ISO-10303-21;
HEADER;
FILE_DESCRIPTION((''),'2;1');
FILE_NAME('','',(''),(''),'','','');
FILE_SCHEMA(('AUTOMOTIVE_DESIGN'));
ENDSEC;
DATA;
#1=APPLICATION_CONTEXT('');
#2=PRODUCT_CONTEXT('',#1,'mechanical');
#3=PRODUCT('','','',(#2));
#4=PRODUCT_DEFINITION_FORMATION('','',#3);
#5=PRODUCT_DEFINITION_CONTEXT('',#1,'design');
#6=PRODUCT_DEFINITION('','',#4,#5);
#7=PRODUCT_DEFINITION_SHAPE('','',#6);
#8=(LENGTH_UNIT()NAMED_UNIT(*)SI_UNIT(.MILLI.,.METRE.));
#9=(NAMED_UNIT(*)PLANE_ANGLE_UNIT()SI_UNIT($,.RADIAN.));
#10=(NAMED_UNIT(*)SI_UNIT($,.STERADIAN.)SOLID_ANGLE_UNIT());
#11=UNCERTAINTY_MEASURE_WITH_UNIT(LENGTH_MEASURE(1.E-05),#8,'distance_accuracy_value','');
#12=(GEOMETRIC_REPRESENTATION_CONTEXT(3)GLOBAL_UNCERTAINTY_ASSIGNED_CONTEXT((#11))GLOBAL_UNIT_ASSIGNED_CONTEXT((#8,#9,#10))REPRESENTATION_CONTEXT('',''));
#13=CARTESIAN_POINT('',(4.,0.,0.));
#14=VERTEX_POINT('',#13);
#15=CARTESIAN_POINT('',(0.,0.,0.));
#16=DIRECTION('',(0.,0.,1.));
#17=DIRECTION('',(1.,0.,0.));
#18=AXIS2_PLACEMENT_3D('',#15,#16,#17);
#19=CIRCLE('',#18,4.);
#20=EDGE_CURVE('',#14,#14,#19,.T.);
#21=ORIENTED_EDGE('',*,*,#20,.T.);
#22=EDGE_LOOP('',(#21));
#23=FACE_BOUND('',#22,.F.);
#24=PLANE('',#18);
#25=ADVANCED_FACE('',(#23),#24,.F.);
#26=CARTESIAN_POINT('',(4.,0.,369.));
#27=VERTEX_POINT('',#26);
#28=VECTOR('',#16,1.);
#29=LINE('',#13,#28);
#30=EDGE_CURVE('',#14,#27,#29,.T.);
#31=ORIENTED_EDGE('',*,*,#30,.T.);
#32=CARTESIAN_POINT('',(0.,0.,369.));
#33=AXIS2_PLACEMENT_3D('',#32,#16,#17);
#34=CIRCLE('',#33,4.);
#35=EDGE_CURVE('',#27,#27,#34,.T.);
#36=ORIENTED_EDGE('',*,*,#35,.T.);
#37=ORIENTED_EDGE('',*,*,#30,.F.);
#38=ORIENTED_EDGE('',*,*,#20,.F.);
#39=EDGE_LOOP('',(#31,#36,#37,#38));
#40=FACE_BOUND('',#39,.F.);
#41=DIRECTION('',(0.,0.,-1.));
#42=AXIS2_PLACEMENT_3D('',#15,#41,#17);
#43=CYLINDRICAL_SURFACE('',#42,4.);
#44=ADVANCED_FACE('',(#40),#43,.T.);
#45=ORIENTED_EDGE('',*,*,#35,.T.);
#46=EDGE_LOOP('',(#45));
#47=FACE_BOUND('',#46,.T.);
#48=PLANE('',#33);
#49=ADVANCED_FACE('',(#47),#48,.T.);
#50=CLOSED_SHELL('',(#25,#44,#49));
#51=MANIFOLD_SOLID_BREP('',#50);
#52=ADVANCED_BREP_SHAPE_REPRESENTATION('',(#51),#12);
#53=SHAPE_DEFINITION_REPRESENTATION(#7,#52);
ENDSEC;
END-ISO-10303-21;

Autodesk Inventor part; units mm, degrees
ref_plane "YZ Plane" through (0, 0, 0) normal (1, 0, 0) x (0, 1, 0)
ref_plane "XZ Plane" through (0, 0, 0) normal (0, 1, 0) x (-1, 0, 0)
ref_plane "XY Plane" through (0, 0, 0) normal (0, 0, 1) x (1, 0, 0)
sketch "Sketch1" plane through (0, 0, 0) normal (0, 0, 1) x (1, 0, 0)
  circle A0 centre (0, 0) radius 4
  dimension "d0" = 8
extrude "Extrusion1" add sketch "Sketch1" along normal blind 369
properties part number "Yshaft"
